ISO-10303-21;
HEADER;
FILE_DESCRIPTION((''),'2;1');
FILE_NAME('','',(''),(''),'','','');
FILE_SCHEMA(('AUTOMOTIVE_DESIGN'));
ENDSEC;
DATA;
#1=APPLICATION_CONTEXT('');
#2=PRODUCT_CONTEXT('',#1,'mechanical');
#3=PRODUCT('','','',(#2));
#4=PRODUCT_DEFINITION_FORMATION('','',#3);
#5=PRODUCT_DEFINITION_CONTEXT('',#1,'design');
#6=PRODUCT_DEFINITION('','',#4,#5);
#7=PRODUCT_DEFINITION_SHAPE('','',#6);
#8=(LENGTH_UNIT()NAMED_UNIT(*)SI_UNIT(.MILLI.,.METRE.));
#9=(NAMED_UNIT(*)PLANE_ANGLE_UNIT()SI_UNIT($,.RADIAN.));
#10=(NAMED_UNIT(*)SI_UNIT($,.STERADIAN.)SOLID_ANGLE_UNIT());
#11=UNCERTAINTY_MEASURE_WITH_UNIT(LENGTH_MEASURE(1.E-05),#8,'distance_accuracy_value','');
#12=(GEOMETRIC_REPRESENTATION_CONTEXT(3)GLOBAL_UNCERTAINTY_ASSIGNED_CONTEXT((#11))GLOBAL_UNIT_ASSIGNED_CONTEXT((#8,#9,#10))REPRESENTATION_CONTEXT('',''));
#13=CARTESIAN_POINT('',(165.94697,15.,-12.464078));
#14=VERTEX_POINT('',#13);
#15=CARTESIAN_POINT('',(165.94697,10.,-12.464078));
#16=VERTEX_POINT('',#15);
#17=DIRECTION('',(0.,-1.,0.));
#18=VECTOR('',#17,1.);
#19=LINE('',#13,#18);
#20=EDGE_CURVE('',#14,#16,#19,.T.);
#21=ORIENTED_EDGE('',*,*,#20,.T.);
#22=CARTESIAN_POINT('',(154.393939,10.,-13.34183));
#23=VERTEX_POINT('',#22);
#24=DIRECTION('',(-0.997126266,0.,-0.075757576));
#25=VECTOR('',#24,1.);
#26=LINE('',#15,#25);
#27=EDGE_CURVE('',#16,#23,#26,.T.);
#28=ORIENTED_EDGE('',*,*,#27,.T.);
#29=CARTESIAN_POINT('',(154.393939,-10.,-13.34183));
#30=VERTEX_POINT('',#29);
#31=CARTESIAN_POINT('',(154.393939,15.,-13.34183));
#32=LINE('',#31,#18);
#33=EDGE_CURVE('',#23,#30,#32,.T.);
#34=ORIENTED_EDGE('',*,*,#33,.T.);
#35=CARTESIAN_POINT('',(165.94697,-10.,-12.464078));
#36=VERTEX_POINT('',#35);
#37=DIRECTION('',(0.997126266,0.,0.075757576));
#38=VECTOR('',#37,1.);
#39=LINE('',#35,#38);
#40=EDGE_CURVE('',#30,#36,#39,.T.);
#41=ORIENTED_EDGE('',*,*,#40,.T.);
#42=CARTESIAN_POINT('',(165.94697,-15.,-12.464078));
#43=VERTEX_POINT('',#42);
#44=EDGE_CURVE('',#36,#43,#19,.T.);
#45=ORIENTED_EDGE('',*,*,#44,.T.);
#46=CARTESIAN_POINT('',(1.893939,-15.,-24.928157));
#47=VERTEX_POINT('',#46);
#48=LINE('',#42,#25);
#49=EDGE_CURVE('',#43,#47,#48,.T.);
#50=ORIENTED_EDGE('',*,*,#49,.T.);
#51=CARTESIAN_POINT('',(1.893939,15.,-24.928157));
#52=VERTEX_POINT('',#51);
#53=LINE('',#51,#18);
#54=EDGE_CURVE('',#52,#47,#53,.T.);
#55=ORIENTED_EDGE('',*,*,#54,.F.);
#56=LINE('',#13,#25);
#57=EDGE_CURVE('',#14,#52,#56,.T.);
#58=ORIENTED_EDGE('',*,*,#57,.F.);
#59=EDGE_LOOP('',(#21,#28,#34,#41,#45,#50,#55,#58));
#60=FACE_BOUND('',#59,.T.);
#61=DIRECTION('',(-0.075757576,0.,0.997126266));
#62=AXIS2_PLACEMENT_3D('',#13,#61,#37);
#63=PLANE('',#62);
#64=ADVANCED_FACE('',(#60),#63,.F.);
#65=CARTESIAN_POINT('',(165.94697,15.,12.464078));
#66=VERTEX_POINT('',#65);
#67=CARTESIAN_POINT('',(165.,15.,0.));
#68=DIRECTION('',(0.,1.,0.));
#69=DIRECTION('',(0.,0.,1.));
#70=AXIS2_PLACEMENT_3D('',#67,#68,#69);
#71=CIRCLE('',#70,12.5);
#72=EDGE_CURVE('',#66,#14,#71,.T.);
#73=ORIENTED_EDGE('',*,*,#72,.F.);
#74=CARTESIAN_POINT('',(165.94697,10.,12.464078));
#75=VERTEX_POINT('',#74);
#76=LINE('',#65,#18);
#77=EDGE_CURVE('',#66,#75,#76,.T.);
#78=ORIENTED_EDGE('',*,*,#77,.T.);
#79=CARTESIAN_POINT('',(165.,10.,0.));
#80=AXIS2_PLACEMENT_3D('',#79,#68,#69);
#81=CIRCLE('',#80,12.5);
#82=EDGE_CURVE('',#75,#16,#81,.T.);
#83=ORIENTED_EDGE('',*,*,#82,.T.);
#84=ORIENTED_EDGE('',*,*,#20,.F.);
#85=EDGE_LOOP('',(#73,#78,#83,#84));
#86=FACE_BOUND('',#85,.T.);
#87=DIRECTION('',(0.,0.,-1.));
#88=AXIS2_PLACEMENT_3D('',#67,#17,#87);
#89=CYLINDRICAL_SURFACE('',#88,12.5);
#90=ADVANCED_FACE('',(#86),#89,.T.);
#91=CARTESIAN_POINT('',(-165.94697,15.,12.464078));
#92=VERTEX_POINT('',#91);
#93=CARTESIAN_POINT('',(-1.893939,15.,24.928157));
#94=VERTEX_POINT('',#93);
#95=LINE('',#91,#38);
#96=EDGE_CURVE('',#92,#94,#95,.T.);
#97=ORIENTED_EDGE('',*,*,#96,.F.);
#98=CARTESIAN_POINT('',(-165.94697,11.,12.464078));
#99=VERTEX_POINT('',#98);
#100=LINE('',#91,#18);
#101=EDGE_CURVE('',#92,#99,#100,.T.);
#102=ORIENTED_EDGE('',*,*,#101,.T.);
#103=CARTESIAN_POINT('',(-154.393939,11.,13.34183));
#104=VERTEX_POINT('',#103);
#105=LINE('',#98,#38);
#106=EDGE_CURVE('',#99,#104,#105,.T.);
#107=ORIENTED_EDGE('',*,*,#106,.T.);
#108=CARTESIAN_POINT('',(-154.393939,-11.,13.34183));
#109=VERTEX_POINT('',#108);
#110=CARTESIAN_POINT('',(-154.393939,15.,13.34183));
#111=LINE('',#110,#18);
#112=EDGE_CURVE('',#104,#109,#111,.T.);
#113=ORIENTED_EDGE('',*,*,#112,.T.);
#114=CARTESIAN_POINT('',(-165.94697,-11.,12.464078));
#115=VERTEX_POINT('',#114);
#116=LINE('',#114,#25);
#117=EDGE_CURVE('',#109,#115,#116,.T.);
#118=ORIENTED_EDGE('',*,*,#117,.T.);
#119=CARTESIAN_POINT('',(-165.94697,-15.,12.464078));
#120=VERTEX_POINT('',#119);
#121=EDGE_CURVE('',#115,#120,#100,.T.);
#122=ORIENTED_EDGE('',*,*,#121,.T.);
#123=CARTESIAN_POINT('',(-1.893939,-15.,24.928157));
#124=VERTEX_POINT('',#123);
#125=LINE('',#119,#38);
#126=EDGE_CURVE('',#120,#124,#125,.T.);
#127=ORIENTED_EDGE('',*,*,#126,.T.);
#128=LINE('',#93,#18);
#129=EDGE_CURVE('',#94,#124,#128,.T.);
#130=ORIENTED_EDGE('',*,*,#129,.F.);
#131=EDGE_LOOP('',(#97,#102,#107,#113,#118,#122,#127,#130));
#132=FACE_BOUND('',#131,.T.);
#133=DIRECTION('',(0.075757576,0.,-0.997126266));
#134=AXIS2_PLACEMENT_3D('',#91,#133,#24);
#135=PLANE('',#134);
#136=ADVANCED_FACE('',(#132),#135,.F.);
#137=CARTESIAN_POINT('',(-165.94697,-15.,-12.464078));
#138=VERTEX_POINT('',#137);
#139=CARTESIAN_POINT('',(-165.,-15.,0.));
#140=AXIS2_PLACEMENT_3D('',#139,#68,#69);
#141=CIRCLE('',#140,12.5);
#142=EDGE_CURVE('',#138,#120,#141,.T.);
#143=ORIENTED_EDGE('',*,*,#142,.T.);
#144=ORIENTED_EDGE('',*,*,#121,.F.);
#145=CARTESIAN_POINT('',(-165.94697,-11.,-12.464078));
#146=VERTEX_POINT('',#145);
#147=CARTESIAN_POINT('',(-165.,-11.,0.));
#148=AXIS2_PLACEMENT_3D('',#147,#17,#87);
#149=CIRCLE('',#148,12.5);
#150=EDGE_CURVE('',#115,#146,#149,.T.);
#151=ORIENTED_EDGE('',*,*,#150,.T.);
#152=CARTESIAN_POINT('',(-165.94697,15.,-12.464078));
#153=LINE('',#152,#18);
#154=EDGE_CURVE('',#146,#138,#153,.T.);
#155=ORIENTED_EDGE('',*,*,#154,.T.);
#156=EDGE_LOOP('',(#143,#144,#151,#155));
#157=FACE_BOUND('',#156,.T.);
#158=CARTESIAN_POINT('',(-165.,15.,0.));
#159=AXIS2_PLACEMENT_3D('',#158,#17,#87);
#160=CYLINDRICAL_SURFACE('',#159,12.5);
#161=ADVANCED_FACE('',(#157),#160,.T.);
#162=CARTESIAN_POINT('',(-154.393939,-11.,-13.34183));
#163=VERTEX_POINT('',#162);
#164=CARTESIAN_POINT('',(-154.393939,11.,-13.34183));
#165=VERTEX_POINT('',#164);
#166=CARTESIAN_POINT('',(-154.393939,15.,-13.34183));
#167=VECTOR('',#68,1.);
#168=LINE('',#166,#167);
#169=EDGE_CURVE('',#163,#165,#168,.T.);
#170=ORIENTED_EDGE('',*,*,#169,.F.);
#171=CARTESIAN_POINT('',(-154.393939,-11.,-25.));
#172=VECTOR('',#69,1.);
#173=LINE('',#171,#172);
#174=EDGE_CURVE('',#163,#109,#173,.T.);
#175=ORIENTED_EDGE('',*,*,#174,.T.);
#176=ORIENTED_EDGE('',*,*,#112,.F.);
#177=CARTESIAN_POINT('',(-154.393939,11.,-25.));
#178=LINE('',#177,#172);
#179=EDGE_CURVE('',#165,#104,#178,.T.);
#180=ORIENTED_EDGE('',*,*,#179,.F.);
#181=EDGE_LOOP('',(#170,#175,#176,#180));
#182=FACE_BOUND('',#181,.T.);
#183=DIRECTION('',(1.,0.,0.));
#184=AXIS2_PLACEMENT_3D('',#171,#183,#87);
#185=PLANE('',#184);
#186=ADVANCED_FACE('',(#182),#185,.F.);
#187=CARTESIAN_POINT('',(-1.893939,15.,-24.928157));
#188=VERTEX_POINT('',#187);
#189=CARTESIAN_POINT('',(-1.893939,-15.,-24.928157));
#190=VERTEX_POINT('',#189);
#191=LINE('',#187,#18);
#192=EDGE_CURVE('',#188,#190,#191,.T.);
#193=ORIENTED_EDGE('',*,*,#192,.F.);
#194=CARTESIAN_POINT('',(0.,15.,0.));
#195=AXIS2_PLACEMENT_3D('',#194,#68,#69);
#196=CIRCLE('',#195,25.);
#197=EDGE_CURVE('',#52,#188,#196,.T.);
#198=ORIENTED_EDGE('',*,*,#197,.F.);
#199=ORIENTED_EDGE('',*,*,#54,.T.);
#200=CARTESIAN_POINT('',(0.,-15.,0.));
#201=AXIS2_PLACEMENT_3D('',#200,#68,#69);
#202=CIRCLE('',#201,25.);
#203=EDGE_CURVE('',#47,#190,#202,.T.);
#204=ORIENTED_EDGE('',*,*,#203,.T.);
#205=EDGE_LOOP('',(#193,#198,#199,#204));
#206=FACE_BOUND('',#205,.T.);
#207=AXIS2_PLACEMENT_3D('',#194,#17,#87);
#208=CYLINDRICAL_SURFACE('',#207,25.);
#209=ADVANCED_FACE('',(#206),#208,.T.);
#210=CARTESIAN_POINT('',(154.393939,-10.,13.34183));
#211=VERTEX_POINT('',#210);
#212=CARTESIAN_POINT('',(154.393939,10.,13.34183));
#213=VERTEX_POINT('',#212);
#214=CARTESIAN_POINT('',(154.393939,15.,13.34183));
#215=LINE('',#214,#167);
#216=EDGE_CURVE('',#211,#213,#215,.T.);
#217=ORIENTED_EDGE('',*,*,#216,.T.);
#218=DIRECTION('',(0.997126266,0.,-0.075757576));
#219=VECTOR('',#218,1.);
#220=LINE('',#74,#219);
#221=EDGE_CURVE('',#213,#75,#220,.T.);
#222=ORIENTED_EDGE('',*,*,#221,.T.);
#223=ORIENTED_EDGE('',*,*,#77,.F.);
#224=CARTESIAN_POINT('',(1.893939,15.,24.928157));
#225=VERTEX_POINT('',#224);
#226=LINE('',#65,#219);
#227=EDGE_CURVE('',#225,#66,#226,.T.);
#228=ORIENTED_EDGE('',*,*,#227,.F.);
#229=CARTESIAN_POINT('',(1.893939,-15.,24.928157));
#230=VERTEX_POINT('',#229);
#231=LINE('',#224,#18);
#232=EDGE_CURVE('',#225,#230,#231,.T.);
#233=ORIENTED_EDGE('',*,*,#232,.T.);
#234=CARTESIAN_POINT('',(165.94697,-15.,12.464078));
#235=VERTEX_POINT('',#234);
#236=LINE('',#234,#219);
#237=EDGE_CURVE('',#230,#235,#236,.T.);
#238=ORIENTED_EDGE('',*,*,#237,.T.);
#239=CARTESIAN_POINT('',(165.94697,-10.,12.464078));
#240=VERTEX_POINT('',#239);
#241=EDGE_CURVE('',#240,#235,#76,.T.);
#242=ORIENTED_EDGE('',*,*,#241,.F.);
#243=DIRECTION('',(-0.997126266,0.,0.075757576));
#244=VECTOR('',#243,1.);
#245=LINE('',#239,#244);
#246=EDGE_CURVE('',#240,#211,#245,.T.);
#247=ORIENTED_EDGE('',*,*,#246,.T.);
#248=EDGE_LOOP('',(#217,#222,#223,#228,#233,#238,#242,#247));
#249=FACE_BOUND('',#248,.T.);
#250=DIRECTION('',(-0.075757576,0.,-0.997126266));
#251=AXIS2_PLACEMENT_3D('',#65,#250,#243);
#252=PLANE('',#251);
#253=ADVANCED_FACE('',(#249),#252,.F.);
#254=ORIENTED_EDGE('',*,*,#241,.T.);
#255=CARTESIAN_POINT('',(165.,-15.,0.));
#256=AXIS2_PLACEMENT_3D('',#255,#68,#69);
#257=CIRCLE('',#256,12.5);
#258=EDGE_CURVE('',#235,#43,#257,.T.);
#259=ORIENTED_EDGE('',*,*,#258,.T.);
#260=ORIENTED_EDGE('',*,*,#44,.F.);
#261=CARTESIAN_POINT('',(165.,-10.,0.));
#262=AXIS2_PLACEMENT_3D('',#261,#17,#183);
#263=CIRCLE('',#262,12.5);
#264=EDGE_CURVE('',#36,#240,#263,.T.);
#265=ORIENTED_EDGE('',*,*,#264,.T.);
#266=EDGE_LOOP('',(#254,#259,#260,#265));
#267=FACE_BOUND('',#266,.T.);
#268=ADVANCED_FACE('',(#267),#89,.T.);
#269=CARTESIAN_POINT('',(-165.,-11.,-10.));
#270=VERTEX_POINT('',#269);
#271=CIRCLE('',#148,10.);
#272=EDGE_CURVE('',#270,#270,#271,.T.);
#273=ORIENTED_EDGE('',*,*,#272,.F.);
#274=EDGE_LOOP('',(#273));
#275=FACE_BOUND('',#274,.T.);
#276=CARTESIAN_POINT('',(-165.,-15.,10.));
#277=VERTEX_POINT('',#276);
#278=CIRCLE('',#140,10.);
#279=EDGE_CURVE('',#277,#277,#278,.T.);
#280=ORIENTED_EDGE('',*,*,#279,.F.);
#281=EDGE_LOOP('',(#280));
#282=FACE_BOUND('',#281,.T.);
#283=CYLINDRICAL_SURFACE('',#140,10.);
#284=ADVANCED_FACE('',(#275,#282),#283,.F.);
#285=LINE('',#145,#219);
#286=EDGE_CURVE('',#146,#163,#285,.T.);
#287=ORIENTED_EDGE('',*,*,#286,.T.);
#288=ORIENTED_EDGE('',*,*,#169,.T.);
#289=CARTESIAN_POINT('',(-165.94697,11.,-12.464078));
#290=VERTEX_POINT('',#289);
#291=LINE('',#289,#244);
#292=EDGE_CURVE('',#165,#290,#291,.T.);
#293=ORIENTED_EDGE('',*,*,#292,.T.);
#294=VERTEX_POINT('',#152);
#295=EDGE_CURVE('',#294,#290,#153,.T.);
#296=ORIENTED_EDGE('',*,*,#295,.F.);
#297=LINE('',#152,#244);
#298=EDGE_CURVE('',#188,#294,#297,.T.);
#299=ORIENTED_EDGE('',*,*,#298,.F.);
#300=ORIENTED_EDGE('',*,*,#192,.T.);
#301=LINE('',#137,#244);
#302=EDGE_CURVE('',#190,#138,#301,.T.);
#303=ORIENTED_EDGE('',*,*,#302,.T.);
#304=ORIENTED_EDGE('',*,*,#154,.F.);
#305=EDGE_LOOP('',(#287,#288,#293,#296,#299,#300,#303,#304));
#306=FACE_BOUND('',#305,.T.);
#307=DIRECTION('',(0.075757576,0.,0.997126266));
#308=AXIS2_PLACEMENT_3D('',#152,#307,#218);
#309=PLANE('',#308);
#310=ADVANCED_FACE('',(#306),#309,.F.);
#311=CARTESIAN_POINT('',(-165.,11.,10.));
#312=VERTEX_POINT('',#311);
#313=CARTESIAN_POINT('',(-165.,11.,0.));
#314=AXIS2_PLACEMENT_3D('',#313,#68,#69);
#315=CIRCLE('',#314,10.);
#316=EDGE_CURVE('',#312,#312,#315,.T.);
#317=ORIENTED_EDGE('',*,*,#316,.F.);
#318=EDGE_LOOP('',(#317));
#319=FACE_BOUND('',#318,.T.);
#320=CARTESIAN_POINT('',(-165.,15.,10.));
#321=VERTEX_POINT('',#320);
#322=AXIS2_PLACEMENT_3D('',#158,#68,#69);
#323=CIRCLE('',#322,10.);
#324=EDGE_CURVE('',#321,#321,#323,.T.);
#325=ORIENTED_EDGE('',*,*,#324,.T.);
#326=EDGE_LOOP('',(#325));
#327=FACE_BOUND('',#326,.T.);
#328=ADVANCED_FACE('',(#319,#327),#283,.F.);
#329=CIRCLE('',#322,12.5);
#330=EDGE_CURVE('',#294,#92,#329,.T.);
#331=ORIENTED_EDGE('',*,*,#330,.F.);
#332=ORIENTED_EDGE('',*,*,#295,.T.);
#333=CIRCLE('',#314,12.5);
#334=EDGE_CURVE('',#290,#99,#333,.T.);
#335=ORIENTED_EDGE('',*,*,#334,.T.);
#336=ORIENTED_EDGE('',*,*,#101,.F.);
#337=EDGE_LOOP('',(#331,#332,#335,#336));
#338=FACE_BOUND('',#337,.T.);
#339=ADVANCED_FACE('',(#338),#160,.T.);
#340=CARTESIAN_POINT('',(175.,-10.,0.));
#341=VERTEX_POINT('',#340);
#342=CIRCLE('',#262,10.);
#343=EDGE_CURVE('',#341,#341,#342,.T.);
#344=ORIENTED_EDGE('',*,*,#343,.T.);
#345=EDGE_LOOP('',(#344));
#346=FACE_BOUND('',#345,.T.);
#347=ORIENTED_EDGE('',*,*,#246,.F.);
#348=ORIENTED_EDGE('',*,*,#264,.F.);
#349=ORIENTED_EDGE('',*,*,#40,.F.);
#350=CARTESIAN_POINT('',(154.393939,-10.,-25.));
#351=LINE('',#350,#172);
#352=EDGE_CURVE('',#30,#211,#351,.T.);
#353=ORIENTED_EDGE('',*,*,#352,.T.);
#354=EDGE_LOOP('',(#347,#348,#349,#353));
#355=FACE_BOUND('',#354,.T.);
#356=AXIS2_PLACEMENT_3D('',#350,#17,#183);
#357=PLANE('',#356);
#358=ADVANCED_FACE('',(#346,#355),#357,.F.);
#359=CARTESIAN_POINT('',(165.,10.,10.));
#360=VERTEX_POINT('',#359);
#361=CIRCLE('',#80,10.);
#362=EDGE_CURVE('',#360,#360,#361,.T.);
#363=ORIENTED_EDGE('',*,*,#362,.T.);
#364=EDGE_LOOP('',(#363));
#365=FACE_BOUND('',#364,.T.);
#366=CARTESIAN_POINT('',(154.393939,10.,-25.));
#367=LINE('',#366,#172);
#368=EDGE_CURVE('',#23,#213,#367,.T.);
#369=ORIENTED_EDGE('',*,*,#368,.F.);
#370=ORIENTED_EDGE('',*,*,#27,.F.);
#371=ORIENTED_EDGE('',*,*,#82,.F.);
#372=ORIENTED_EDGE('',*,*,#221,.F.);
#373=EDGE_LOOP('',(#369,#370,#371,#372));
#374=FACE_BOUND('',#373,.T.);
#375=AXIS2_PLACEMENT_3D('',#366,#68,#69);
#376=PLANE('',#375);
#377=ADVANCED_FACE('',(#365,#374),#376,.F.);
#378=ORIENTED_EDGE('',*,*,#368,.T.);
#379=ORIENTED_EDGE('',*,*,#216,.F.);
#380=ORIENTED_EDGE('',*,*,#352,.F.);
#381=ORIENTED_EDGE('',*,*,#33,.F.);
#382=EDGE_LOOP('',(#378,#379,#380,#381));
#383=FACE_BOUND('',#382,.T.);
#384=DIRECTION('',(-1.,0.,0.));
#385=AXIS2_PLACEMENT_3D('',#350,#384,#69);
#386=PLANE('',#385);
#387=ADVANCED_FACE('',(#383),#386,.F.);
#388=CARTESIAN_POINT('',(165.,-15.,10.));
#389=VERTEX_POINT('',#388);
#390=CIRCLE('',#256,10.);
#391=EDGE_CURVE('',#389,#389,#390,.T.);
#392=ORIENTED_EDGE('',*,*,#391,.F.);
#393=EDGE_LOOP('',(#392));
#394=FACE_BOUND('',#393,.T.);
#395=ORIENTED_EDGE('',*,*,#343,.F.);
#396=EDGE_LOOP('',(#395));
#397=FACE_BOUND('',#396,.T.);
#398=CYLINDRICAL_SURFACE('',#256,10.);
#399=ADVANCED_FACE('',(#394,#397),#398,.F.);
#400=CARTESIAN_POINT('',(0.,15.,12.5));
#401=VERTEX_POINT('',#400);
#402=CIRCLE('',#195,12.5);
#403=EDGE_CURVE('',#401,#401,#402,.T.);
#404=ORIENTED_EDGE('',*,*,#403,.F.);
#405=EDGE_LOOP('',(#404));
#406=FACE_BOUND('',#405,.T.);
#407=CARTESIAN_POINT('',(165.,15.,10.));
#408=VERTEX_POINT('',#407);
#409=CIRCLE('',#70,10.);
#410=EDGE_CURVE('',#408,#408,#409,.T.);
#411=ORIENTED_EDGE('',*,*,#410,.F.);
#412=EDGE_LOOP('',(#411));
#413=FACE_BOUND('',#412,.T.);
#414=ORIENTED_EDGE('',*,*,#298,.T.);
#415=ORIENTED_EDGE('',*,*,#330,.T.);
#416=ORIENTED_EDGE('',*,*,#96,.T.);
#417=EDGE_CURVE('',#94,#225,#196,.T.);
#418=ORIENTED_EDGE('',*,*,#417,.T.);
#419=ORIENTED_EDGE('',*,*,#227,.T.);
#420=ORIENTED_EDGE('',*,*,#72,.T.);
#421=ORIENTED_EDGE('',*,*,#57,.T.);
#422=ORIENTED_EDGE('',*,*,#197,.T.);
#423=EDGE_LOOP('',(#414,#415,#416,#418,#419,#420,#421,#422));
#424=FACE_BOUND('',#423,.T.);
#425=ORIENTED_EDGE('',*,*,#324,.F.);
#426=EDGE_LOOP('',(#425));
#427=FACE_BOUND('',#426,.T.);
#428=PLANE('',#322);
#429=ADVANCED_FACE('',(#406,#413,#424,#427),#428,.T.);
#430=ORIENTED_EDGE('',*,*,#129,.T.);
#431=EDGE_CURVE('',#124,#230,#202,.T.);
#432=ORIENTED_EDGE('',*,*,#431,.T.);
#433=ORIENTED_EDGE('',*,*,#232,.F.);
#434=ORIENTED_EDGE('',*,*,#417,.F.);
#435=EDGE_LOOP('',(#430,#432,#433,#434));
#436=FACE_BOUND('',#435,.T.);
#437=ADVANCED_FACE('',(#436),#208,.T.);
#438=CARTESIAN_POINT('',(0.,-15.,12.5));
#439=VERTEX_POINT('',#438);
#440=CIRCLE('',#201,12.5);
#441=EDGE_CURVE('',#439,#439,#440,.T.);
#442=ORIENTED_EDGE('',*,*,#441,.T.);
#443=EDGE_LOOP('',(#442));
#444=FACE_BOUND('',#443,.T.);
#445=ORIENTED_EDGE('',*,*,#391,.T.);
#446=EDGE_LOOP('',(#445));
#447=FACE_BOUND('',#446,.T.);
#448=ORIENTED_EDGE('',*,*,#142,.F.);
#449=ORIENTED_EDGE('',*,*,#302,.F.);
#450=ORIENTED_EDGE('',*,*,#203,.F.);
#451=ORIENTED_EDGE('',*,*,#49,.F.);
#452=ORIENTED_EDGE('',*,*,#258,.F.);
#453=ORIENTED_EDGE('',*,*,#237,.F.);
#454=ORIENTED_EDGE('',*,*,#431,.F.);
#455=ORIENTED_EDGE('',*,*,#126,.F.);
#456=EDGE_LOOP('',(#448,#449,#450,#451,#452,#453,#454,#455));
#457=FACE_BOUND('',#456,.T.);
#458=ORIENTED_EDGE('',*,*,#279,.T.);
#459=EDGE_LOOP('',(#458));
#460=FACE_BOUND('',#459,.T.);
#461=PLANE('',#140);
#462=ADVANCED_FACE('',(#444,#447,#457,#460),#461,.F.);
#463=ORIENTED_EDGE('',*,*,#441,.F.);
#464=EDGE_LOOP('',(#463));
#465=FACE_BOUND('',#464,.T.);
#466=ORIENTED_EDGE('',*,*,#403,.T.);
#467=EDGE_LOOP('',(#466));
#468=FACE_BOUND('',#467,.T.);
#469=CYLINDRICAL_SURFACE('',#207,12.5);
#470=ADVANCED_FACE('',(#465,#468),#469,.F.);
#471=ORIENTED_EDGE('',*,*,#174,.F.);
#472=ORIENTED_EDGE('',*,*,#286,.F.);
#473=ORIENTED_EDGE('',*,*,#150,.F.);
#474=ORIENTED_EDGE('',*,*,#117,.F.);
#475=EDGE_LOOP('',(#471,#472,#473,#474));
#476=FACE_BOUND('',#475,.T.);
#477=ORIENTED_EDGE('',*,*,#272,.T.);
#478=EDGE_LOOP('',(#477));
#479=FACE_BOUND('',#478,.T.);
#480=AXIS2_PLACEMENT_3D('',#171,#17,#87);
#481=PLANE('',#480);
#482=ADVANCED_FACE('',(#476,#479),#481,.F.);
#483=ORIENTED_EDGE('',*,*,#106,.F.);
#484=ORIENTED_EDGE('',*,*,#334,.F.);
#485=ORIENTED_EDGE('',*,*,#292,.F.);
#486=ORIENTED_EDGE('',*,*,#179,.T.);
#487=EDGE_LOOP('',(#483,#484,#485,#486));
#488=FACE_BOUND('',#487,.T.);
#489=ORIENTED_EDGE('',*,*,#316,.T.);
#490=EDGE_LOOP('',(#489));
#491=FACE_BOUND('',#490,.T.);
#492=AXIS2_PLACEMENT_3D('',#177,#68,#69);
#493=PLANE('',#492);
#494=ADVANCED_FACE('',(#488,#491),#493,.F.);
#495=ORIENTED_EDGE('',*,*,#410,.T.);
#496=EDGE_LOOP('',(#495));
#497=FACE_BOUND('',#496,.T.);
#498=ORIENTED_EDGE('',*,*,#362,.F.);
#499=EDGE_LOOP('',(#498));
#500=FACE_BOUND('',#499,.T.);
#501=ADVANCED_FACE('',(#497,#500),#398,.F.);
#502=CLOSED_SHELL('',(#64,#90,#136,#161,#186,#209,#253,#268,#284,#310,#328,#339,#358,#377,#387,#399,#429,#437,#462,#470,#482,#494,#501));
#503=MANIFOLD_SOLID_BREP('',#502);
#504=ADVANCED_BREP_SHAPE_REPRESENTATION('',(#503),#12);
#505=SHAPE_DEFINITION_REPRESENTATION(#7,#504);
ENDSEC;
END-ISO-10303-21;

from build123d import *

# Parameters (mm, degrees)
CROQUIS1_R                 = 12.5
SALIENTE_EXTRUIR1_DEPTH    = 15
CROQUIS2_W                 = 23.106060606
CROQUIS2_H                 = 20
CROQUIS2_H_2               = 22
CORTAR_EXTRUIR1_DEPTH      = 26
CORTAR_EXTRUIR1_DEPTH_BACK = 26
CROQUIS3_R                 = 10
CORTAR_EXTRUIR2_DEPTH      = 16
CORTAR_EXTRUIR2_DEPTH_BACK = 16


with BuildPart() as part:
    # Croquis1 → Saliente-Extruir1 (new body, symmetric)
    with BuildSketch(Plane(origin=(0, 0, 0), x_dir=(1, 0, 0), z_dir=(0, 1, 0))):
        with BuildLine():
            Line((-165.946969697, 12.464078321), (-1.893939394, 24.928156642))
            ThreePointArc((-1.893939394, 24.928156642), (0, 25), (1.893939394, 24.928156642))
            Line((1.893939394, 24.928156642), (165.946969697, 12.464078321))
            ThreePointArc((165.946969697, 12.464078321), (177.5, 0), (165.946969697, -12.464078321))
            Line((165.946969697, -12.464078321), (1.893939394, -24.928156642))
            ThreePointArc((1.893939394, -24.928156642), (0, -25), (-1.893939394, -24.928156642))
            Line((-1.893939394, -24.928156642), (-165.946969697, -12.464078321))
            ThreePointArc((-165.946969697, -12.464078321), (-177.5, 0), (-165.946969697, 12.464078321))
        make_face()
        Circle(CROQUIS1_R, mode=Mode.SUBTRACT)
    extrude(amount=SALIENTE_EXTRUIR1_DEPTH, both=True)

    # Croquis2 → Cortar-Extruir1 (cut, two sides)
    with BuildSketch(Plane.XY) as cortar_extruir1_sk:
        with Locations((165.946969697, 0)):
            Rectangle(CROQUIS2_W, CROQUIS2_H)
        with Locations((-165.946969697, 0)):
            Rectangle(CROQUIS2_W, CROQUIS2_H_2)
    extrude(amount=CORTAR_EXTRUIR1_DEPTH, mode=Mode.SUBTRACT)
    extrude(cortar_extruir1_sk.sketch, amount=-CORTAR_EXTRUIR1_DEPTH_BACK, mode=Mode.SUBTRACT)

    # Croquis3 → Cortar-Extruir2 (cut, two sides)
    with BuildSketch(Plane(origin=(0, 0, 0), x_dir=(1, 0, 0), z_dir=(0, 1, 0))) as cortar_extruir2_sk:
        with Locations((-165, 0)):
            Circle(CROQUIS3_R)
        with Locations((165, 0)):
            Circle(CROQUIS3_R)
    extrude(amount=CORTAR_EXTRUIR2_DEPTH, mode=Mode.SUBTRACT)
    extrude(cortar_extruir2_sk.sketch, amount=-CORTAR_EXTRUIR2_DEPTH_BACK, mode=Mode.SUBTRACT)


solid = part.part
